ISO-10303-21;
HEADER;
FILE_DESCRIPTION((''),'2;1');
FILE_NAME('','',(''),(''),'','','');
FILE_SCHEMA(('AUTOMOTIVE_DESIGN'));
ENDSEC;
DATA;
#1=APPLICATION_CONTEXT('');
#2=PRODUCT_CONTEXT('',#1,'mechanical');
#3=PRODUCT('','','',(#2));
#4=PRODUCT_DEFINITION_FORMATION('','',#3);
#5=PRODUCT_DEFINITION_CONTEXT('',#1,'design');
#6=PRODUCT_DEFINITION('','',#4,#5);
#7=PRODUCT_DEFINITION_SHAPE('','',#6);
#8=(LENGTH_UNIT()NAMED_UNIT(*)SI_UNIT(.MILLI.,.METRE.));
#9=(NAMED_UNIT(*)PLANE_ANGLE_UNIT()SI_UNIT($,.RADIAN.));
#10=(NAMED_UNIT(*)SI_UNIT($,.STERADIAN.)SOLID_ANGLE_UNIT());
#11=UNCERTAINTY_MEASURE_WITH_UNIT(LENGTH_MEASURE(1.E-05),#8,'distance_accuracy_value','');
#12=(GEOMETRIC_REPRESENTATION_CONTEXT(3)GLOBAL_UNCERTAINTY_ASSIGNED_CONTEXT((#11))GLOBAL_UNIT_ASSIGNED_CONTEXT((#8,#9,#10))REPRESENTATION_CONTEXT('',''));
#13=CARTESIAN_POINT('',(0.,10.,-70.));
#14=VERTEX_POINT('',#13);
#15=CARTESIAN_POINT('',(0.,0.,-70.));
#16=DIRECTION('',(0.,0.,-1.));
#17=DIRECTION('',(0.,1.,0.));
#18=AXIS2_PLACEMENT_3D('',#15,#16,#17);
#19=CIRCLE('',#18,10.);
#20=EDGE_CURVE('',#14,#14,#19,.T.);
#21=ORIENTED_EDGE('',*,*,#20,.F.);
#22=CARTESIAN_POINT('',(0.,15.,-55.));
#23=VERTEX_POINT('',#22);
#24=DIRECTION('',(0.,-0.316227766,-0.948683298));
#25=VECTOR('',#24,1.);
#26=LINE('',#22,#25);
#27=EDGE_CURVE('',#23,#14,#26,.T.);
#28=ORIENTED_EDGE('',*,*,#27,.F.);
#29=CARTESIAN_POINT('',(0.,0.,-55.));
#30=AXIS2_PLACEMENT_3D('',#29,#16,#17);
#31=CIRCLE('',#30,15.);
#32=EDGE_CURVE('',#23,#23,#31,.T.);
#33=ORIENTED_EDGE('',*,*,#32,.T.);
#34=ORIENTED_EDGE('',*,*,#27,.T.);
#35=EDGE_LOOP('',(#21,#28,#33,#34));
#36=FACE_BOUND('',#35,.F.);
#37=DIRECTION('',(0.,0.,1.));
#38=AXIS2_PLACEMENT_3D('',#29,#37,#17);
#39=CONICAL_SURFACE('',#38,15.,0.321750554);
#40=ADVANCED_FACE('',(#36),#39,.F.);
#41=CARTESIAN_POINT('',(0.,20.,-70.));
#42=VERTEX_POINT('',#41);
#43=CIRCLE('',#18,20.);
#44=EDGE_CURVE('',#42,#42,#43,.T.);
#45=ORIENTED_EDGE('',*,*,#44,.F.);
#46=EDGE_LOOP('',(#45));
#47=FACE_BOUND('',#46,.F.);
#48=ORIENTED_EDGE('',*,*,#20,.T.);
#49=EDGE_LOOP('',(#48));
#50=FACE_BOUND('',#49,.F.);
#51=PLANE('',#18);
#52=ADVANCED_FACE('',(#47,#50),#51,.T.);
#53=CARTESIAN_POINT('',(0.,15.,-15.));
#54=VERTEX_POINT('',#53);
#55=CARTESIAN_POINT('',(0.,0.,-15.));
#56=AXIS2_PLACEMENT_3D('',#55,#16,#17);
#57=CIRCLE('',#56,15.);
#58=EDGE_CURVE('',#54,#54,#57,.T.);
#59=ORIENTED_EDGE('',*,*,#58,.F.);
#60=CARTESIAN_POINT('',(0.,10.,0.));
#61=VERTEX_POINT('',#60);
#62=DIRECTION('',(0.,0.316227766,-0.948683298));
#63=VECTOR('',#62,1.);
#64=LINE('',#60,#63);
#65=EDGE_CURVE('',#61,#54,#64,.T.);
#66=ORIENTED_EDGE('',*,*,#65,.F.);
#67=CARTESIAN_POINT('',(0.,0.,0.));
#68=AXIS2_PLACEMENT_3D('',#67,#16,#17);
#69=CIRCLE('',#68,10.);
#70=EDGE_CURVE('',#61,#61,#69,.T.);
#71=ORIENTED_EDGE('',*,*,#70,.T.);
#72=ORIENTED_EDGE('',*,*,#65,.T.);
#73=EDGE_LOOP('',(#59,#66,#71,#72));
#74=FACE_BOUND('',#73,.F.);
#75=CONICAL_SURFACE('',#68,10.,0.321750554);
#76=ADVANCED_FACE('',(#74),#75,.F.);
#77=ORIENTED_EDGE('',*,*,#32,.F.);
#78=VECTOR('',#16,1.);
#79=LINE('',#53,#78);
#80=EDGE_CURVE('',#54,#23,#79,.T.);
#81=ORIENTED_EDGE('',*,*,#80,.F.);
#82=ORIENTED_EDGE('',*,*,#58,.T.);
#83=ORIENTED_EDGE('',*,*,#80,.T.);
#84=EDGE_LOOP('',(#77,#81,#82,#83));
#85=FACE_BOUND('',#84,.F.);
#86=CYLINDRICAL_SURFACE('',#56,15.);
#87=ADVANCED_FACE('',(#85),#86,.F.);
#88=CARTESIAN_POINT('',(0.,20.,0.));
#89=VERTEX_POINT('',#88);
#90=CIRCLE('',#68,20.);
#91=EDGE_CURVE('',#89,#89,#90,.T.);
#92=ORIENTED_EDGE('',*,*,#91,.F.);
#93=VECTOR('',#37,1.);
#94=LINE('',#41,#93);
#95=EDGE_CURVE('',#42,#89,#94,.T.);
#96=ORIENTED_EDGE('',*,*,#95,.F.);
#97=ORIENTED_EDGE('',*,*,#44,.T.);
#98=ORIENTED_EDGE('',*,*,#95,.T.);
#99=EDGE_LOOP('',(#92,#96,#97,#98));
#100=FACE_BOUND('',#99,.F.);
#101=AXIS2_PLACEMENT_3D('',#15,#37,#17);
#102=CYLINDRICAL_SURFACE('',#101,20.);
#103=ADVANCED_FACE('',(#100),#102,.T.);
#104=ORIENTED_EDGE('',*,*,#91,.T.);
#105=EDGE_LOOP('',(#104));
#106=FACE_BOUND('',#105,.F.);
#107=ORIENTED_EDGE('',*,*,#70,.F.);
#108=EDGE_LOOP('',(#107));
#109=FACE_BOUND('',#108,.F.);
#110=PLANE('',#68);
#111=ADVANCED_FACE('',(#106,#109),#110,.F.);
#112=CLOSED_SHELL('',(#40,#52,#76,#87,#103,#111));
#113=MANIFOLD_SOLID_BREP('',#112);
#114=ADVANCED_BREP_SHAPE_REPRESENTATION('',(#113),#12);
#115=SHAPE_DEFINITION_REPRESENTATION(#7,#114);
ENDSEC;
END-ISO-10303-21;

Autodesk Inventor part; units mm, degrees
ref_plane "YZ Plane" through (0, 0, 0) normal (1, 0, 0) x (0, 1, 0)
ref_plane "XZ Plane" through (0, 0, 0) normal (0, 1, 0) x (-1, 0, 0)
ref_plane "XY Plane" through (0, 0, 0) normal (0, 0, 1) x (1, 0, 0)
sketch "스케치3" plane through (0, 0, 0) normal (1, 0, 0) x (0, 1, 0)
  line L0 (0, 0) -> (0, -70)
  line L1 (0, -70) -> (10, -70)
  line L2 (10, -70) -> (20, -70)
  line L3 (20, -70) -> (20, 0)
  line L4 (20, 0) -> (10, 0)
  line L5 (10, 0) -> (15, -15)
  line L6 (15, -15) -> (15, -55)
  line L7 (15, -55) -> (10, -70)
  dimension "d10" = 70
  dimension "d11" = 10
  dimension "d12" = 10
  dimension "d13" = 70
  dimension "d14" = 10
  dimension "d15" = 15
  dimension "d16" = 15
  dimension "d17" = 40
revolve "회전2" add sketch "스케치3" angle 360 about axis through (0, 0, 0) along (0, 0, -1)
properties part number "기본 투상 연습5"
